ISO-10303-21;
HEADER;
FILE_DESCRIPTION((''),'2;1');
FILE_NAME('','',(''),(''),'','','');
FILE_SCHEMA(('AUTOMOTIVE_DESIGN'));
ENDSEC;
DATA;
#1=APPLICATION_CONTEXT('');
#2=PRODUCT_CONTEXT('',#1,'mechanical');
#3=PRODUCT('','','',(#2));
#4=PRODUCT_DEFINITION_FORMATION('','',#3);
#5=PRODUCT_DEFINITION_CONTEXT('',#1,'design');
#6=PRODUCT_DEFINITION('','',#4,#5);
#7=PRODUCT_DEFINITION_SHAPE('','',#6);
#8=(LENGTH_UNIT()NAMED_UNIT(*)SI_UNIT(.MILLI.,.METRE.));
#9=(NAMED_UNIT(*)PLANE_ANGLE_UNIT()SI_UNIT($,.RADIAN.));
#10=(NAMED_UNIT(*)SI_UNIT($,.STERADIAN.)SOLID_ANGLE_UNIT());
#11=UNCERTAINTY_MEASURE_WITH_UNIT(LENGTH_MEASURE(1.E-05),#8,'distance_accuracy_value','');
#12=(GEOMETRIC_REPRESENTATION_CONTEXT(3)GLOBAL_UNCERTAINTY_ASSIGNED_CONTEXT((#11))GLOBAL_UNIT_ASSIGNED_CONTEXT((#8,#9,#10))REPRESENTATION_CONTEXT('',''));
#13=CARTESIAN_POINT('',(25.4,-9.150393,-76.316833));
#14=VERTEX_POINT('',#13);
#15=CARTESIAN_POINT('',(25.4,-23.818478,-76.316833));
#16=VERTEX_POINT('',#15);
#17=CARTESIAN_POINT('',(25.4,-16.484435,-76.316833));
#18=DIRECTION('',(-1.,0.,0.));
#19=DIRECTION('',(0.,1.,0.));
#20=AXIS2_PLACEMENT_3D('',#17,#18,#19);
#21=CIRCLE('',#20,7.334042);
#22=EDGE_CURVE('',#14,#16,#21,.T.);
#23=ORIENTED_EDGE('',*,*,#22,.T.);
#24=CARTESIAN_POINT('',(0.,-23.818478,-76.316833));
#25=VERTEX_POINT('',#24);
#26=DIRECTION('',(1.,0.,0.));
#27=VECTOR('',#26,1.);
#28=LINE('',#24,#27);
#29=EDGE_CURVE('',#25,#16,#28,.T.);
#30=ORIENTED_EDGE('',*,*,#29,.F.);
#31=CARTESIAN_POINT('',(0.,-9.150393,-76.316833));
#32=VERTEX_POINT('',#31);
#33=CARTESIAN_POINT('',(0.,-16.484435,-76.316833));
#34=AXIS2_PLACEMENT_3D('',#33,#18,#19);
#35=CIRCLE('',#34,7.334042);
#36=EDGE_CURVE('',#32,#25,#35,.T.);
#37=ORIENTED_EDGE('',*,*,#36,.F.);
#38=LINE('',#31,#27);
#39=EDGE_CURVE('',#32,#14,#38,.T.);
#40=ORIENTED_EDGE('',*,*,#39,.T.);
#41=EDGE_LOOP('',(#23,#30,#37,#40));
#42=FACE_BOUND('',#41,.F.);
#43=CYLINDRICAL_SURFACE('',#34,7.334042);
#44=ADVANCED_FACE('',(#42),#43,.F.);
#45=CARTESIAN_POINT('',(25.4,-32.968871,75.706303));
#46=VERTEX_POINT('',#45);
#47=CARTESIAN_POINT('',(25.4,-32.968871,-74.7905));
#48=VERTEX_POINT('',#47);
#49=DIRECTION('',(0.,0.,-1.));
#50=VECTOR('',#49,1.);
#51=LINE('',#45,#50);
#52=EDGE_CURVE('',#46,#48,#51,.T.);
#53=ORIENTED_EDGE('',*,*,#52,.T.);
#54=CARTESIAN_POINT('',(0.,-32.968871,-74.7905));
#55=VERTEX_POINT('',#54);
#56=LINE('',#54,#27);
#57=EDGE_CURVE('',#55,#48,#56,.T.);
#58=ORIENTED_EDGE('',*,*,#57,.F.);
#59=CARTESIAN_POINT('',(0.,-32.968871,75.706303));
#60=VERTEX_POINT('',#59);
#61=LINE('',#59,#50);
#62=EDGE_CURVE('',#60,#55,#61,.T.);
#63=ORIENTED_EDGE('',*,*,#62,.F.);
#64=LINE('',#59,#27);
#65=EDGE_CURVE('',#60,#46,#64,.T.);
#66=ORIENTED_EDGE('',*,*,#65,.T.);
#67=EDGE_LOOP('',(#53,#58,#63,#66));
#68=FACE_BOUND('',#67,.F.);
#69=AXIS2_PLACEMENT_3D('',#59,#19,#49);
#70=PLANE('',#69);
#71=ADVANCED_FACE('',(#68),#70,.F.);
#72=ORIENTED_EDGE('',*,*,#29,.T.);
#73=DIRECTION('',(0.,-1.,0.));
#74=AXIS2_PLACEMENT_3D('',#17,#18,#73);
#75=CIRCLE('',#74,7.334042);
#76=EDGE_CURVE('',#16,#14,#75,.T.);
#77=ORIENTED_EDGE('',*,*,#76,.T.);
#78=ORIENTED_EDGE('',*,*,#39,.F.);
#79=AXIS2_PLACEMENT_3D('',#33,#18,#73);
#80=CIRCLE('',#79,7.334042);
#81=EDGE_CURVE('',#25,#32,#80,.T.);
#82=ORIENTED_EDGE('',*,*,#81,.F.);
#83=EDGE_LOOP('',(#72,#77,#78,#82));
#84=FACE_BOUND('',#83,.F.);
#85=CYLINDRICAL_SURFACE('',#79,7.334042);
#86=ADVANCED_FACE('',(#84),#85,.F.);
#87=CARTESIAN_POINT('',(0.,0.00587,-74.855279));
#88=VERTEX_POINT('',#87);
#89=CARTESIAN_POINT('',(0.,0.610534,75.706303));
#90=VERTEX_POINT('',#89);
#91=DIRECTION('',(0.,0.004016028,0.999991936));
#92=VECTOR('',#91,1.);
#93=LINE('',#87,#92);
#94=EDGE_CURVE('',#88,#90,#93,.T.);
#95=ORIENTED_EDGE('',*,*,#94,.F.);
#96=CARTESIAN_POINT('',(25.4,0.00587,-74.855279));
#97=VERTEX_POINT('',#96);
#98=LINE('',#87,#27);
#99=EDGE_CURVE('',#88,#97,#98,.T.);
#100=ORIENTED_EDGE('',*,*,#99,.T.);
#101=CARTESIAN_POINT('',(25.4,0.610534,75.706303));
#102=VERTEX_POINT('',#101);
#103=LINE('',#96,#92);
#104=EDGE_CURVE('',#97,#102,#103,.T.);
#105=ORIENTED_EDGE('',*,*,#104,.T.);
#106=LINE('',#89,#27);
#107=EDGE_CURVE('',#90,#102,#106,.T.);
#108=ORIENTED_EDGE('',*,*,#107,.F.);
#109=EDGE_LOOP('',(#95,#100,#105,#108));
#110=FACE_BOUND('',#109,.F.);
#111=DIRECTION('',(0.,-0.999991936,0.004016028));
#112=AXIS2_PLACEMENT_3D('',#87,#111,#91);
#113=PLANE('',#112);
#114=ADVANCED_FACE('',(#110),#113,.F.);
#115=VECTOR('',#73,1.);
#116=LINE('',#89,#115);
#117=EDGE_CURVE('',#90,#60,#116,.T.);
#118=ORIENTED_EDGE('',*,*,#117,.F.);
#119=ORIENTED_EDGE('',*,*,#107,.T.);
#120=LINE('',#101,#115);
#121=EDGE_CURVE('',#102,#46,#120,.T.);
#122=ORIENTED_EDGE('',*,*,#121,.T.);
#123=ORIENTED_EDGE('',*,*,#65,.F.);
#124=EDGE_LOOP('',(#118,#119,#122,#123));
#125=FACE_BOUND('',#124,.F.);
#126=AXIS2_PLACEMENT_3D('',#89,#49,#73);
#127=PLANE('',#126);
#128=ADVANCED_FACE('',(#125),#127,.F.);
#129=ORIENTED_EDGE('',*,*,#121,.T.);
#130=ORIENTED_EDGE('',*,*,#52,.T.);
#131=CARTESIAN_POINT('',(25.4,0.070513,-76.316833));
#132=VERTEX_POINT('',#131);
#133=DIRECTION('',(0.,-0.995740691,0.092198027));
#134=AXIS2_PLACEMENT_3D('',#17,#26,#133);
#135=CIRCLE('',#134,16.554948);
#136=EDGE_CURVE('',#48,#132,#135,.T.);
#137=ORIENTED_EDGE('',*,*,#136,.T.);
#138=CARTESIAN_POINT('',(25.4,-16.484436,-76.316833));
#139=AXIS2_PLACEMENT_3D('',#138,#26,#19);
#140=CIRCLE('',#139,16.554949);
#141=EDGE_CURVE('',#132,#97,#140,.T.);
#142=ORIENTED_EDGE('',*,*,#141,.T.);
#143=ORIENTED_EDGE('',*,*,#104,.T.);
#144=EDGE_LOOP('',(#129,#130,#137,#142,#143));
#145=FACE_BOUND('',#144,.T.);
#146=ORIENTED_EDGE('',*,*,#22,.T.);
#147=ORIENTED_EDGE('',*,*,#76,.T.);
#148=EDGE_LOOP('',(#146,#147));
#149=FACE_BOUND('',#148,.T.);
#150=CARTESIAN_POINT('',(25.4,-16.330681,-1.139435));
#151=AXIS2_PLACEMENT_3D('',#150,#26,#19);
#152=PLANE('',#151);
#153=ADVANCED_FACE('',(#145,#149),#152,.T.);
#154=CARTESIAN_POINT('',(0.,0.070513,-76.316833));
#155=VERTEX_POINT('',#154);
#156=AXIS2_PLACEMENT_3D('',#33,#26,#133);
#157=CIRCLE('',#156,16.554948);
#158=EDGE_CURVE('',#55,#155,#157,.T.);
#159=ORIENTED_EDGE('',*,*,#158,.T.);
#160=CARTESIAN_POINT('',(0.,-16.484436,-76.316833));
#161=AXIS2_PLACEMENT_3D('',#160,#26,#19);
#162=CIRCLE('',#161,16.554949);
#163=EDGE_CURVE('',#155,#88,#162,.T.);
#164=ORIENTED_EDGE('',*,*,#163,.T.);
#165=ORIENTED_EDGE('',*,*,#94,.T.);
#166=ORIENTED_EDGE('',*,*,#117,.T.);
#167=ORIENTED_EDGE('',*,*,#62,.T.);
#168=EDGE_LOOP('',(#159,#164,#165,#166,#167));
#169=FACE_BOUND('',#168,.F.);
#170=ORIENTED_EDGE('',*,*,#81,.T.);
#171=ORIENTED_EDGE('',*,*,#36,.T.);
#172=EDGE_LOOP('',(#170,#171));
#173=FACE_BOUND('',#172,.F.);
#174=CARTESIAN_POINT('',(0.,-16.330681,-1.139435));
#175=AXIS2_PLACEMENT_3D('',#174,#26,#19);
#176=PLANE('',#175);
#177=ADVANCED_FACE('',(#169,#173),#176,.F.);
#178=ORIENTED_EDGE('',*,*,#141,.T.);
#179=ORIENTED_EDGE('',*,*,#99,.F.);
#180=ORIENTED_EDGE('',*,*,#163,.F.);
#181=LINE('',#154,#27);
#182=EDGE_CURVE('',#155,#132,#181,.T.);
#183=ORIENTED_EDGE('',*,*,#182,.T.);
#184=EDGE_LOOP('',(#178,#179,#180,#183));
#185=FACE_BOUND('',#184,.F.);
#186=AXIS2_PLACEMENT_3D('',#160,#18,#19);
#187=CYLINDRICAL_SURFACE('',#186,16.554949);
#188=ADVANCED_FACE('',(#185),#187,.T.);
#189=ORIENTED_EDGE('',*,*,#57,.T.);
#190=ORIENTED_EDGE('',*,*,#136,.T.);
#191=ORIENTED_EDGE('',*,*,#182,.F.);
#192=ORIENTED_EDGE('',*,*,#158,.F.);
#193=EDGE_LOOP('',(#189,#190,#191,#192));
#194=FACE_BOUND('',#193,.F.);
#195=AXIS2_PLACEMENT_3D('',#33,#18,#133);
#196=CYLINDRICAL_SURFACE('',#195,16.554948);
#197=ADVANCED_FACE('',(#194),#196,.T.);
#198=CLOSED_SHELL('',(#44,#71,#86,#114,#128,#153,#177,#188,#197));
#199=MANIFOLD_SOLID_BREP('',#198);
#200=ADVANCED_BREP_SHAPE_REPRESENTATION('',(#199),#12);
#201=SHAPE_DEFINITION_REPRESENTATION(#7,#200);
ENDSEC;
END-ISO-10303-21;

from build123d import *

# Parameters (mm, degrees)
F1_DEPTH = 25.4


with BuildPart() as f1:
    # F0 (on Right) → F1 (new body)
    with BuildSketch(Plane.YZ):
        with BuildLine():
            ThreePointArc((-32.9688712955, -74.7904999055), (-16.4519134228, -59.7619169827), (0.0058700323, -74.8552786289))
            Line((0.0058700323, -74.8552786289), (0.610534451, 75.7063031197))
            Line((0.610534451, 75.7063031197), (-32.9688712955, 75.7063031197))
            Line((-32.9688712955, 75.7063031197), (-32.9688712955, -74.7904999055))
        make_face()
        with BuildLine():
            Line((-9.1503931598, -76.3168334961), (3.395e-07, -76.3168334961))
            Line((3.395e-07, -76.3168334961), (0.0058700323, -74.8552786289))
            ThreePointArc((0.0058700323, -74.8552786289), (-16.4519134228, -59.7619169827), (-32.9688712955, -74.7904999055))
            Line((-32.9688712955, -74.7904999055), (-32.9688712955, -76.3168334961))
            Line((-32.9688712955, -76.3168334961), (-23.8184777961, -76.3168334961))
            ThreePointArc((-23.8184777961, -76.3168334961), (-16.484435478, -68.982791178), (-9.1503931598, -76.3168334961))
        make_face()
        with BuildLine():
            Line((0.0058700323, -74.8552786289), (3.395e-07, -76.3168334961))
            Line((3.395e-07, -76.3168334961), (-9.1503931598, -76.3168334961))
            ThreePointArc((-9.1503931598, -76.3168334961), (-16.484435478, -83.6508758142), (-23.8184777961, -76.3168334961))
            Line((-23.8184777961, -76.3168334961), (-32.9688712955, -76.3168334961))
            Line((-32.9688712955, -76.3168334961), (-32.9688712955, -74.7904999055))
            ThreePointArc((-32.9688712955, -74.7904999055), (-17.2484162143, -92.8541443986), (0.0705129802, -76.3168334961))
            ThreePointArc((0.0705129802, -76.3168334961), (0.0543443475, -75.5853416403), (0.0058700323, -74.8552786289))
        make_face()
    extrude(amount=F1_DEPTH)


solid = f1.part
